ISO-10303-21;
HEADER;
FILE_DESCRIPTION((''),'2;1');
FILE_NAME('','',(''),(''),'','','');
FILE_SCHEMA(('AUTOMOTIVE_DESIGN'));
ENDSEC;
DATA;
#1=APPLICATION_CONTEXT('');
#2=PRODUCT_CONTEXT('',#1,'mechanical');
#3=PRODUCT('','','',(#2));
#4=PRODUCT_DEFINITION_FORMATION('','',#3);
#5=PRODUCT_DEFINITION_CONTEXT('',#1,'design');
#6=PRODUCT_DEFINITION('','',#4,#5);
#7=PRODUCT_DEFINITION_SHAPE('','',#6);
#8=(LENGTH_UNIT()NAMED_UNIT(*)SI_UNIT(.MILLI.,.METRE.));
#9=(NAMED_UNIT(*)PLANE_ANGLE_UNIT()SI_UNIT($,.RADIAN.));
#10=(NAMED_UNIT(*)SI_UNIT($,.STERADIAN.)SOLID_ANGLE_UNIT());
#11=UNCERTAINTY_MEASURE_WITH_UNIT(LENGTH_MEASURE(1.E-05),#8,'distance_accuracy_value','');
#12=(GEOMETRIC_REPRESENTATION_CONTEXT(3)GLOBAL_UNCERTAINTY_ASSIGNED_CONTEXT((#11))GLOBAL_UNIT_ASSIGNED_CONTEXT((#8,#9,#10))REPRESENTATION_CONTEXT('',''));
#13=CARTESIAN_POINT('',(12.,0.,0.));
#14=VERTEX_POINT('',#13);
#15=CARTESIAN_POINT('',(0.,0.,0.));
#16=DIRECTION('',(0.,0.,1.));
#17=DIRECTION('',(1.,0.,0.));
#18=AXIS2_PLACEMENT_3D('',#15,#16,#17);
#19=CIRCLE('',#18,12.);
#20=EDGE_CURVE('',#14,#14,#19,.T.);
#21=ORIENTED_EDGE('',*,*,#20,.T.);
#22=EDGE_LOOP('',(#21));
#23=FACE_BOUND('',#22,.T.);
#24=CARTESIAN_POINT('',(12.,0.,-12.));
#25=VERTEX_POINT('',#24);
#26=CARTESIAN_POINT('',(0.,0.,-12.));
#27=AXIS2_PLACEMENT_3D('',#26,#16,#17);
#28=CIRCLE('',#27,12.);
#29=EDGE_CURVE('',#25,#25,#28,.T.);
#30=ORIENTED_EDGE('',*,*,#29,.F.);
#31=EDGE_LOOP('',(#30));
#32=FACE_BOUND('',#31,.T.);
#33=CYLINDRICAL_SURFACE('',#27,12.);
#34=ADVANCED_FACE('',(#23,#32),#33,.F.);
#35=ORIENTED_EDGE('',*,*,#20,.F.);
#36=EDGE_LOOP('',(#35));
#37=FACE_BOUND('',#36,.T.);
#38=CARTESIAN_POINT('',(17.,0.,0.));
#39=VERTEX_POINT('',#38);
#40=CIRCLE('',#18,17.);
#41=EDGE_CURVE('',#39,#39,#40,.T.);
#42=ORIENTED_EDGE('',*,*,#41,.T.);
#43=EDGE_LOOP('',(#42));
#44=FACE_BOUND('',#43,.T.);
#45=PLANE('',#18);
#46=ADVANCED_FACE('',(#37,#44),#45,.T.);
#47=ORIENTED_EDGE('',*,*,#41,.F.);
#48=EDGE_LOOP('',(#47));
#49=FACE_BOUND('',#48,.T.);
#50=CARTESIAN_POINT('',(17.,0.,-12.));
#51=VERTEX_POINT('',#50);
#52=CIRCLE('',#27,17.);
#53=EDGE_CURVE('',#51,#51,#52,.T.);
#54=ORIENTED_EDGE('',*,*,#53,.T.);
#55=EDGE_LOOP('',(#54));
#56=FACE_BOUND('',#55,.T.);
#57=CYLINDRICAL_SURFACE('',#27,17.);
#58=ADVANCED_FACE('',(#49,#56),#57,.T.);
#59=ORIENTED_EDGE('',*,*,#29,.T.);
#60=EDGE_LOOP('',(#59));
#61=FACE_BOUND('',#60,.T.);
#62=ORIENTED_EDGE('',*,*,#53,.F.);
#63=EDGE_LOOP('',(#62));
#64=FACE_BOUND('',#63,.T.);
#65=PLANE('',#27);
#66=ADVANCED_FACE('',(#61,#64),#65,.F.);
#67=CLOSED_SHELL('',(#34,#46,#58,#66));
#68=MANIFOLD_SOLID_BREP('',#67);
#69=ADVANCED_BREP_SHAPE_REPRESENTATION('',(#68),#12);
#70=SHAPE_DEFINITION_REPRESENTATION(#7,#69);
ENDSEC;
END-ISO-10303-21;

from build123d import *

# Parameters (mm, degrees)
SKETCH1_R           = 17
SKETCH1_R_2         = 12
BOSS_EXTRUDE1_DEPTH = 12


with BuildPart() as part:
    # Sketch1 → Boss-Extrude1 (new body)
    with BuildSketch(Plane.XY):
        Circle(SKETCH1_R)
        Circle(SKETCH1_R_2, mode=Mode.SUBTRACT)
    extrude(amount=-BOSS_EXTRUDE1_DEPTH)


solid = part.part
